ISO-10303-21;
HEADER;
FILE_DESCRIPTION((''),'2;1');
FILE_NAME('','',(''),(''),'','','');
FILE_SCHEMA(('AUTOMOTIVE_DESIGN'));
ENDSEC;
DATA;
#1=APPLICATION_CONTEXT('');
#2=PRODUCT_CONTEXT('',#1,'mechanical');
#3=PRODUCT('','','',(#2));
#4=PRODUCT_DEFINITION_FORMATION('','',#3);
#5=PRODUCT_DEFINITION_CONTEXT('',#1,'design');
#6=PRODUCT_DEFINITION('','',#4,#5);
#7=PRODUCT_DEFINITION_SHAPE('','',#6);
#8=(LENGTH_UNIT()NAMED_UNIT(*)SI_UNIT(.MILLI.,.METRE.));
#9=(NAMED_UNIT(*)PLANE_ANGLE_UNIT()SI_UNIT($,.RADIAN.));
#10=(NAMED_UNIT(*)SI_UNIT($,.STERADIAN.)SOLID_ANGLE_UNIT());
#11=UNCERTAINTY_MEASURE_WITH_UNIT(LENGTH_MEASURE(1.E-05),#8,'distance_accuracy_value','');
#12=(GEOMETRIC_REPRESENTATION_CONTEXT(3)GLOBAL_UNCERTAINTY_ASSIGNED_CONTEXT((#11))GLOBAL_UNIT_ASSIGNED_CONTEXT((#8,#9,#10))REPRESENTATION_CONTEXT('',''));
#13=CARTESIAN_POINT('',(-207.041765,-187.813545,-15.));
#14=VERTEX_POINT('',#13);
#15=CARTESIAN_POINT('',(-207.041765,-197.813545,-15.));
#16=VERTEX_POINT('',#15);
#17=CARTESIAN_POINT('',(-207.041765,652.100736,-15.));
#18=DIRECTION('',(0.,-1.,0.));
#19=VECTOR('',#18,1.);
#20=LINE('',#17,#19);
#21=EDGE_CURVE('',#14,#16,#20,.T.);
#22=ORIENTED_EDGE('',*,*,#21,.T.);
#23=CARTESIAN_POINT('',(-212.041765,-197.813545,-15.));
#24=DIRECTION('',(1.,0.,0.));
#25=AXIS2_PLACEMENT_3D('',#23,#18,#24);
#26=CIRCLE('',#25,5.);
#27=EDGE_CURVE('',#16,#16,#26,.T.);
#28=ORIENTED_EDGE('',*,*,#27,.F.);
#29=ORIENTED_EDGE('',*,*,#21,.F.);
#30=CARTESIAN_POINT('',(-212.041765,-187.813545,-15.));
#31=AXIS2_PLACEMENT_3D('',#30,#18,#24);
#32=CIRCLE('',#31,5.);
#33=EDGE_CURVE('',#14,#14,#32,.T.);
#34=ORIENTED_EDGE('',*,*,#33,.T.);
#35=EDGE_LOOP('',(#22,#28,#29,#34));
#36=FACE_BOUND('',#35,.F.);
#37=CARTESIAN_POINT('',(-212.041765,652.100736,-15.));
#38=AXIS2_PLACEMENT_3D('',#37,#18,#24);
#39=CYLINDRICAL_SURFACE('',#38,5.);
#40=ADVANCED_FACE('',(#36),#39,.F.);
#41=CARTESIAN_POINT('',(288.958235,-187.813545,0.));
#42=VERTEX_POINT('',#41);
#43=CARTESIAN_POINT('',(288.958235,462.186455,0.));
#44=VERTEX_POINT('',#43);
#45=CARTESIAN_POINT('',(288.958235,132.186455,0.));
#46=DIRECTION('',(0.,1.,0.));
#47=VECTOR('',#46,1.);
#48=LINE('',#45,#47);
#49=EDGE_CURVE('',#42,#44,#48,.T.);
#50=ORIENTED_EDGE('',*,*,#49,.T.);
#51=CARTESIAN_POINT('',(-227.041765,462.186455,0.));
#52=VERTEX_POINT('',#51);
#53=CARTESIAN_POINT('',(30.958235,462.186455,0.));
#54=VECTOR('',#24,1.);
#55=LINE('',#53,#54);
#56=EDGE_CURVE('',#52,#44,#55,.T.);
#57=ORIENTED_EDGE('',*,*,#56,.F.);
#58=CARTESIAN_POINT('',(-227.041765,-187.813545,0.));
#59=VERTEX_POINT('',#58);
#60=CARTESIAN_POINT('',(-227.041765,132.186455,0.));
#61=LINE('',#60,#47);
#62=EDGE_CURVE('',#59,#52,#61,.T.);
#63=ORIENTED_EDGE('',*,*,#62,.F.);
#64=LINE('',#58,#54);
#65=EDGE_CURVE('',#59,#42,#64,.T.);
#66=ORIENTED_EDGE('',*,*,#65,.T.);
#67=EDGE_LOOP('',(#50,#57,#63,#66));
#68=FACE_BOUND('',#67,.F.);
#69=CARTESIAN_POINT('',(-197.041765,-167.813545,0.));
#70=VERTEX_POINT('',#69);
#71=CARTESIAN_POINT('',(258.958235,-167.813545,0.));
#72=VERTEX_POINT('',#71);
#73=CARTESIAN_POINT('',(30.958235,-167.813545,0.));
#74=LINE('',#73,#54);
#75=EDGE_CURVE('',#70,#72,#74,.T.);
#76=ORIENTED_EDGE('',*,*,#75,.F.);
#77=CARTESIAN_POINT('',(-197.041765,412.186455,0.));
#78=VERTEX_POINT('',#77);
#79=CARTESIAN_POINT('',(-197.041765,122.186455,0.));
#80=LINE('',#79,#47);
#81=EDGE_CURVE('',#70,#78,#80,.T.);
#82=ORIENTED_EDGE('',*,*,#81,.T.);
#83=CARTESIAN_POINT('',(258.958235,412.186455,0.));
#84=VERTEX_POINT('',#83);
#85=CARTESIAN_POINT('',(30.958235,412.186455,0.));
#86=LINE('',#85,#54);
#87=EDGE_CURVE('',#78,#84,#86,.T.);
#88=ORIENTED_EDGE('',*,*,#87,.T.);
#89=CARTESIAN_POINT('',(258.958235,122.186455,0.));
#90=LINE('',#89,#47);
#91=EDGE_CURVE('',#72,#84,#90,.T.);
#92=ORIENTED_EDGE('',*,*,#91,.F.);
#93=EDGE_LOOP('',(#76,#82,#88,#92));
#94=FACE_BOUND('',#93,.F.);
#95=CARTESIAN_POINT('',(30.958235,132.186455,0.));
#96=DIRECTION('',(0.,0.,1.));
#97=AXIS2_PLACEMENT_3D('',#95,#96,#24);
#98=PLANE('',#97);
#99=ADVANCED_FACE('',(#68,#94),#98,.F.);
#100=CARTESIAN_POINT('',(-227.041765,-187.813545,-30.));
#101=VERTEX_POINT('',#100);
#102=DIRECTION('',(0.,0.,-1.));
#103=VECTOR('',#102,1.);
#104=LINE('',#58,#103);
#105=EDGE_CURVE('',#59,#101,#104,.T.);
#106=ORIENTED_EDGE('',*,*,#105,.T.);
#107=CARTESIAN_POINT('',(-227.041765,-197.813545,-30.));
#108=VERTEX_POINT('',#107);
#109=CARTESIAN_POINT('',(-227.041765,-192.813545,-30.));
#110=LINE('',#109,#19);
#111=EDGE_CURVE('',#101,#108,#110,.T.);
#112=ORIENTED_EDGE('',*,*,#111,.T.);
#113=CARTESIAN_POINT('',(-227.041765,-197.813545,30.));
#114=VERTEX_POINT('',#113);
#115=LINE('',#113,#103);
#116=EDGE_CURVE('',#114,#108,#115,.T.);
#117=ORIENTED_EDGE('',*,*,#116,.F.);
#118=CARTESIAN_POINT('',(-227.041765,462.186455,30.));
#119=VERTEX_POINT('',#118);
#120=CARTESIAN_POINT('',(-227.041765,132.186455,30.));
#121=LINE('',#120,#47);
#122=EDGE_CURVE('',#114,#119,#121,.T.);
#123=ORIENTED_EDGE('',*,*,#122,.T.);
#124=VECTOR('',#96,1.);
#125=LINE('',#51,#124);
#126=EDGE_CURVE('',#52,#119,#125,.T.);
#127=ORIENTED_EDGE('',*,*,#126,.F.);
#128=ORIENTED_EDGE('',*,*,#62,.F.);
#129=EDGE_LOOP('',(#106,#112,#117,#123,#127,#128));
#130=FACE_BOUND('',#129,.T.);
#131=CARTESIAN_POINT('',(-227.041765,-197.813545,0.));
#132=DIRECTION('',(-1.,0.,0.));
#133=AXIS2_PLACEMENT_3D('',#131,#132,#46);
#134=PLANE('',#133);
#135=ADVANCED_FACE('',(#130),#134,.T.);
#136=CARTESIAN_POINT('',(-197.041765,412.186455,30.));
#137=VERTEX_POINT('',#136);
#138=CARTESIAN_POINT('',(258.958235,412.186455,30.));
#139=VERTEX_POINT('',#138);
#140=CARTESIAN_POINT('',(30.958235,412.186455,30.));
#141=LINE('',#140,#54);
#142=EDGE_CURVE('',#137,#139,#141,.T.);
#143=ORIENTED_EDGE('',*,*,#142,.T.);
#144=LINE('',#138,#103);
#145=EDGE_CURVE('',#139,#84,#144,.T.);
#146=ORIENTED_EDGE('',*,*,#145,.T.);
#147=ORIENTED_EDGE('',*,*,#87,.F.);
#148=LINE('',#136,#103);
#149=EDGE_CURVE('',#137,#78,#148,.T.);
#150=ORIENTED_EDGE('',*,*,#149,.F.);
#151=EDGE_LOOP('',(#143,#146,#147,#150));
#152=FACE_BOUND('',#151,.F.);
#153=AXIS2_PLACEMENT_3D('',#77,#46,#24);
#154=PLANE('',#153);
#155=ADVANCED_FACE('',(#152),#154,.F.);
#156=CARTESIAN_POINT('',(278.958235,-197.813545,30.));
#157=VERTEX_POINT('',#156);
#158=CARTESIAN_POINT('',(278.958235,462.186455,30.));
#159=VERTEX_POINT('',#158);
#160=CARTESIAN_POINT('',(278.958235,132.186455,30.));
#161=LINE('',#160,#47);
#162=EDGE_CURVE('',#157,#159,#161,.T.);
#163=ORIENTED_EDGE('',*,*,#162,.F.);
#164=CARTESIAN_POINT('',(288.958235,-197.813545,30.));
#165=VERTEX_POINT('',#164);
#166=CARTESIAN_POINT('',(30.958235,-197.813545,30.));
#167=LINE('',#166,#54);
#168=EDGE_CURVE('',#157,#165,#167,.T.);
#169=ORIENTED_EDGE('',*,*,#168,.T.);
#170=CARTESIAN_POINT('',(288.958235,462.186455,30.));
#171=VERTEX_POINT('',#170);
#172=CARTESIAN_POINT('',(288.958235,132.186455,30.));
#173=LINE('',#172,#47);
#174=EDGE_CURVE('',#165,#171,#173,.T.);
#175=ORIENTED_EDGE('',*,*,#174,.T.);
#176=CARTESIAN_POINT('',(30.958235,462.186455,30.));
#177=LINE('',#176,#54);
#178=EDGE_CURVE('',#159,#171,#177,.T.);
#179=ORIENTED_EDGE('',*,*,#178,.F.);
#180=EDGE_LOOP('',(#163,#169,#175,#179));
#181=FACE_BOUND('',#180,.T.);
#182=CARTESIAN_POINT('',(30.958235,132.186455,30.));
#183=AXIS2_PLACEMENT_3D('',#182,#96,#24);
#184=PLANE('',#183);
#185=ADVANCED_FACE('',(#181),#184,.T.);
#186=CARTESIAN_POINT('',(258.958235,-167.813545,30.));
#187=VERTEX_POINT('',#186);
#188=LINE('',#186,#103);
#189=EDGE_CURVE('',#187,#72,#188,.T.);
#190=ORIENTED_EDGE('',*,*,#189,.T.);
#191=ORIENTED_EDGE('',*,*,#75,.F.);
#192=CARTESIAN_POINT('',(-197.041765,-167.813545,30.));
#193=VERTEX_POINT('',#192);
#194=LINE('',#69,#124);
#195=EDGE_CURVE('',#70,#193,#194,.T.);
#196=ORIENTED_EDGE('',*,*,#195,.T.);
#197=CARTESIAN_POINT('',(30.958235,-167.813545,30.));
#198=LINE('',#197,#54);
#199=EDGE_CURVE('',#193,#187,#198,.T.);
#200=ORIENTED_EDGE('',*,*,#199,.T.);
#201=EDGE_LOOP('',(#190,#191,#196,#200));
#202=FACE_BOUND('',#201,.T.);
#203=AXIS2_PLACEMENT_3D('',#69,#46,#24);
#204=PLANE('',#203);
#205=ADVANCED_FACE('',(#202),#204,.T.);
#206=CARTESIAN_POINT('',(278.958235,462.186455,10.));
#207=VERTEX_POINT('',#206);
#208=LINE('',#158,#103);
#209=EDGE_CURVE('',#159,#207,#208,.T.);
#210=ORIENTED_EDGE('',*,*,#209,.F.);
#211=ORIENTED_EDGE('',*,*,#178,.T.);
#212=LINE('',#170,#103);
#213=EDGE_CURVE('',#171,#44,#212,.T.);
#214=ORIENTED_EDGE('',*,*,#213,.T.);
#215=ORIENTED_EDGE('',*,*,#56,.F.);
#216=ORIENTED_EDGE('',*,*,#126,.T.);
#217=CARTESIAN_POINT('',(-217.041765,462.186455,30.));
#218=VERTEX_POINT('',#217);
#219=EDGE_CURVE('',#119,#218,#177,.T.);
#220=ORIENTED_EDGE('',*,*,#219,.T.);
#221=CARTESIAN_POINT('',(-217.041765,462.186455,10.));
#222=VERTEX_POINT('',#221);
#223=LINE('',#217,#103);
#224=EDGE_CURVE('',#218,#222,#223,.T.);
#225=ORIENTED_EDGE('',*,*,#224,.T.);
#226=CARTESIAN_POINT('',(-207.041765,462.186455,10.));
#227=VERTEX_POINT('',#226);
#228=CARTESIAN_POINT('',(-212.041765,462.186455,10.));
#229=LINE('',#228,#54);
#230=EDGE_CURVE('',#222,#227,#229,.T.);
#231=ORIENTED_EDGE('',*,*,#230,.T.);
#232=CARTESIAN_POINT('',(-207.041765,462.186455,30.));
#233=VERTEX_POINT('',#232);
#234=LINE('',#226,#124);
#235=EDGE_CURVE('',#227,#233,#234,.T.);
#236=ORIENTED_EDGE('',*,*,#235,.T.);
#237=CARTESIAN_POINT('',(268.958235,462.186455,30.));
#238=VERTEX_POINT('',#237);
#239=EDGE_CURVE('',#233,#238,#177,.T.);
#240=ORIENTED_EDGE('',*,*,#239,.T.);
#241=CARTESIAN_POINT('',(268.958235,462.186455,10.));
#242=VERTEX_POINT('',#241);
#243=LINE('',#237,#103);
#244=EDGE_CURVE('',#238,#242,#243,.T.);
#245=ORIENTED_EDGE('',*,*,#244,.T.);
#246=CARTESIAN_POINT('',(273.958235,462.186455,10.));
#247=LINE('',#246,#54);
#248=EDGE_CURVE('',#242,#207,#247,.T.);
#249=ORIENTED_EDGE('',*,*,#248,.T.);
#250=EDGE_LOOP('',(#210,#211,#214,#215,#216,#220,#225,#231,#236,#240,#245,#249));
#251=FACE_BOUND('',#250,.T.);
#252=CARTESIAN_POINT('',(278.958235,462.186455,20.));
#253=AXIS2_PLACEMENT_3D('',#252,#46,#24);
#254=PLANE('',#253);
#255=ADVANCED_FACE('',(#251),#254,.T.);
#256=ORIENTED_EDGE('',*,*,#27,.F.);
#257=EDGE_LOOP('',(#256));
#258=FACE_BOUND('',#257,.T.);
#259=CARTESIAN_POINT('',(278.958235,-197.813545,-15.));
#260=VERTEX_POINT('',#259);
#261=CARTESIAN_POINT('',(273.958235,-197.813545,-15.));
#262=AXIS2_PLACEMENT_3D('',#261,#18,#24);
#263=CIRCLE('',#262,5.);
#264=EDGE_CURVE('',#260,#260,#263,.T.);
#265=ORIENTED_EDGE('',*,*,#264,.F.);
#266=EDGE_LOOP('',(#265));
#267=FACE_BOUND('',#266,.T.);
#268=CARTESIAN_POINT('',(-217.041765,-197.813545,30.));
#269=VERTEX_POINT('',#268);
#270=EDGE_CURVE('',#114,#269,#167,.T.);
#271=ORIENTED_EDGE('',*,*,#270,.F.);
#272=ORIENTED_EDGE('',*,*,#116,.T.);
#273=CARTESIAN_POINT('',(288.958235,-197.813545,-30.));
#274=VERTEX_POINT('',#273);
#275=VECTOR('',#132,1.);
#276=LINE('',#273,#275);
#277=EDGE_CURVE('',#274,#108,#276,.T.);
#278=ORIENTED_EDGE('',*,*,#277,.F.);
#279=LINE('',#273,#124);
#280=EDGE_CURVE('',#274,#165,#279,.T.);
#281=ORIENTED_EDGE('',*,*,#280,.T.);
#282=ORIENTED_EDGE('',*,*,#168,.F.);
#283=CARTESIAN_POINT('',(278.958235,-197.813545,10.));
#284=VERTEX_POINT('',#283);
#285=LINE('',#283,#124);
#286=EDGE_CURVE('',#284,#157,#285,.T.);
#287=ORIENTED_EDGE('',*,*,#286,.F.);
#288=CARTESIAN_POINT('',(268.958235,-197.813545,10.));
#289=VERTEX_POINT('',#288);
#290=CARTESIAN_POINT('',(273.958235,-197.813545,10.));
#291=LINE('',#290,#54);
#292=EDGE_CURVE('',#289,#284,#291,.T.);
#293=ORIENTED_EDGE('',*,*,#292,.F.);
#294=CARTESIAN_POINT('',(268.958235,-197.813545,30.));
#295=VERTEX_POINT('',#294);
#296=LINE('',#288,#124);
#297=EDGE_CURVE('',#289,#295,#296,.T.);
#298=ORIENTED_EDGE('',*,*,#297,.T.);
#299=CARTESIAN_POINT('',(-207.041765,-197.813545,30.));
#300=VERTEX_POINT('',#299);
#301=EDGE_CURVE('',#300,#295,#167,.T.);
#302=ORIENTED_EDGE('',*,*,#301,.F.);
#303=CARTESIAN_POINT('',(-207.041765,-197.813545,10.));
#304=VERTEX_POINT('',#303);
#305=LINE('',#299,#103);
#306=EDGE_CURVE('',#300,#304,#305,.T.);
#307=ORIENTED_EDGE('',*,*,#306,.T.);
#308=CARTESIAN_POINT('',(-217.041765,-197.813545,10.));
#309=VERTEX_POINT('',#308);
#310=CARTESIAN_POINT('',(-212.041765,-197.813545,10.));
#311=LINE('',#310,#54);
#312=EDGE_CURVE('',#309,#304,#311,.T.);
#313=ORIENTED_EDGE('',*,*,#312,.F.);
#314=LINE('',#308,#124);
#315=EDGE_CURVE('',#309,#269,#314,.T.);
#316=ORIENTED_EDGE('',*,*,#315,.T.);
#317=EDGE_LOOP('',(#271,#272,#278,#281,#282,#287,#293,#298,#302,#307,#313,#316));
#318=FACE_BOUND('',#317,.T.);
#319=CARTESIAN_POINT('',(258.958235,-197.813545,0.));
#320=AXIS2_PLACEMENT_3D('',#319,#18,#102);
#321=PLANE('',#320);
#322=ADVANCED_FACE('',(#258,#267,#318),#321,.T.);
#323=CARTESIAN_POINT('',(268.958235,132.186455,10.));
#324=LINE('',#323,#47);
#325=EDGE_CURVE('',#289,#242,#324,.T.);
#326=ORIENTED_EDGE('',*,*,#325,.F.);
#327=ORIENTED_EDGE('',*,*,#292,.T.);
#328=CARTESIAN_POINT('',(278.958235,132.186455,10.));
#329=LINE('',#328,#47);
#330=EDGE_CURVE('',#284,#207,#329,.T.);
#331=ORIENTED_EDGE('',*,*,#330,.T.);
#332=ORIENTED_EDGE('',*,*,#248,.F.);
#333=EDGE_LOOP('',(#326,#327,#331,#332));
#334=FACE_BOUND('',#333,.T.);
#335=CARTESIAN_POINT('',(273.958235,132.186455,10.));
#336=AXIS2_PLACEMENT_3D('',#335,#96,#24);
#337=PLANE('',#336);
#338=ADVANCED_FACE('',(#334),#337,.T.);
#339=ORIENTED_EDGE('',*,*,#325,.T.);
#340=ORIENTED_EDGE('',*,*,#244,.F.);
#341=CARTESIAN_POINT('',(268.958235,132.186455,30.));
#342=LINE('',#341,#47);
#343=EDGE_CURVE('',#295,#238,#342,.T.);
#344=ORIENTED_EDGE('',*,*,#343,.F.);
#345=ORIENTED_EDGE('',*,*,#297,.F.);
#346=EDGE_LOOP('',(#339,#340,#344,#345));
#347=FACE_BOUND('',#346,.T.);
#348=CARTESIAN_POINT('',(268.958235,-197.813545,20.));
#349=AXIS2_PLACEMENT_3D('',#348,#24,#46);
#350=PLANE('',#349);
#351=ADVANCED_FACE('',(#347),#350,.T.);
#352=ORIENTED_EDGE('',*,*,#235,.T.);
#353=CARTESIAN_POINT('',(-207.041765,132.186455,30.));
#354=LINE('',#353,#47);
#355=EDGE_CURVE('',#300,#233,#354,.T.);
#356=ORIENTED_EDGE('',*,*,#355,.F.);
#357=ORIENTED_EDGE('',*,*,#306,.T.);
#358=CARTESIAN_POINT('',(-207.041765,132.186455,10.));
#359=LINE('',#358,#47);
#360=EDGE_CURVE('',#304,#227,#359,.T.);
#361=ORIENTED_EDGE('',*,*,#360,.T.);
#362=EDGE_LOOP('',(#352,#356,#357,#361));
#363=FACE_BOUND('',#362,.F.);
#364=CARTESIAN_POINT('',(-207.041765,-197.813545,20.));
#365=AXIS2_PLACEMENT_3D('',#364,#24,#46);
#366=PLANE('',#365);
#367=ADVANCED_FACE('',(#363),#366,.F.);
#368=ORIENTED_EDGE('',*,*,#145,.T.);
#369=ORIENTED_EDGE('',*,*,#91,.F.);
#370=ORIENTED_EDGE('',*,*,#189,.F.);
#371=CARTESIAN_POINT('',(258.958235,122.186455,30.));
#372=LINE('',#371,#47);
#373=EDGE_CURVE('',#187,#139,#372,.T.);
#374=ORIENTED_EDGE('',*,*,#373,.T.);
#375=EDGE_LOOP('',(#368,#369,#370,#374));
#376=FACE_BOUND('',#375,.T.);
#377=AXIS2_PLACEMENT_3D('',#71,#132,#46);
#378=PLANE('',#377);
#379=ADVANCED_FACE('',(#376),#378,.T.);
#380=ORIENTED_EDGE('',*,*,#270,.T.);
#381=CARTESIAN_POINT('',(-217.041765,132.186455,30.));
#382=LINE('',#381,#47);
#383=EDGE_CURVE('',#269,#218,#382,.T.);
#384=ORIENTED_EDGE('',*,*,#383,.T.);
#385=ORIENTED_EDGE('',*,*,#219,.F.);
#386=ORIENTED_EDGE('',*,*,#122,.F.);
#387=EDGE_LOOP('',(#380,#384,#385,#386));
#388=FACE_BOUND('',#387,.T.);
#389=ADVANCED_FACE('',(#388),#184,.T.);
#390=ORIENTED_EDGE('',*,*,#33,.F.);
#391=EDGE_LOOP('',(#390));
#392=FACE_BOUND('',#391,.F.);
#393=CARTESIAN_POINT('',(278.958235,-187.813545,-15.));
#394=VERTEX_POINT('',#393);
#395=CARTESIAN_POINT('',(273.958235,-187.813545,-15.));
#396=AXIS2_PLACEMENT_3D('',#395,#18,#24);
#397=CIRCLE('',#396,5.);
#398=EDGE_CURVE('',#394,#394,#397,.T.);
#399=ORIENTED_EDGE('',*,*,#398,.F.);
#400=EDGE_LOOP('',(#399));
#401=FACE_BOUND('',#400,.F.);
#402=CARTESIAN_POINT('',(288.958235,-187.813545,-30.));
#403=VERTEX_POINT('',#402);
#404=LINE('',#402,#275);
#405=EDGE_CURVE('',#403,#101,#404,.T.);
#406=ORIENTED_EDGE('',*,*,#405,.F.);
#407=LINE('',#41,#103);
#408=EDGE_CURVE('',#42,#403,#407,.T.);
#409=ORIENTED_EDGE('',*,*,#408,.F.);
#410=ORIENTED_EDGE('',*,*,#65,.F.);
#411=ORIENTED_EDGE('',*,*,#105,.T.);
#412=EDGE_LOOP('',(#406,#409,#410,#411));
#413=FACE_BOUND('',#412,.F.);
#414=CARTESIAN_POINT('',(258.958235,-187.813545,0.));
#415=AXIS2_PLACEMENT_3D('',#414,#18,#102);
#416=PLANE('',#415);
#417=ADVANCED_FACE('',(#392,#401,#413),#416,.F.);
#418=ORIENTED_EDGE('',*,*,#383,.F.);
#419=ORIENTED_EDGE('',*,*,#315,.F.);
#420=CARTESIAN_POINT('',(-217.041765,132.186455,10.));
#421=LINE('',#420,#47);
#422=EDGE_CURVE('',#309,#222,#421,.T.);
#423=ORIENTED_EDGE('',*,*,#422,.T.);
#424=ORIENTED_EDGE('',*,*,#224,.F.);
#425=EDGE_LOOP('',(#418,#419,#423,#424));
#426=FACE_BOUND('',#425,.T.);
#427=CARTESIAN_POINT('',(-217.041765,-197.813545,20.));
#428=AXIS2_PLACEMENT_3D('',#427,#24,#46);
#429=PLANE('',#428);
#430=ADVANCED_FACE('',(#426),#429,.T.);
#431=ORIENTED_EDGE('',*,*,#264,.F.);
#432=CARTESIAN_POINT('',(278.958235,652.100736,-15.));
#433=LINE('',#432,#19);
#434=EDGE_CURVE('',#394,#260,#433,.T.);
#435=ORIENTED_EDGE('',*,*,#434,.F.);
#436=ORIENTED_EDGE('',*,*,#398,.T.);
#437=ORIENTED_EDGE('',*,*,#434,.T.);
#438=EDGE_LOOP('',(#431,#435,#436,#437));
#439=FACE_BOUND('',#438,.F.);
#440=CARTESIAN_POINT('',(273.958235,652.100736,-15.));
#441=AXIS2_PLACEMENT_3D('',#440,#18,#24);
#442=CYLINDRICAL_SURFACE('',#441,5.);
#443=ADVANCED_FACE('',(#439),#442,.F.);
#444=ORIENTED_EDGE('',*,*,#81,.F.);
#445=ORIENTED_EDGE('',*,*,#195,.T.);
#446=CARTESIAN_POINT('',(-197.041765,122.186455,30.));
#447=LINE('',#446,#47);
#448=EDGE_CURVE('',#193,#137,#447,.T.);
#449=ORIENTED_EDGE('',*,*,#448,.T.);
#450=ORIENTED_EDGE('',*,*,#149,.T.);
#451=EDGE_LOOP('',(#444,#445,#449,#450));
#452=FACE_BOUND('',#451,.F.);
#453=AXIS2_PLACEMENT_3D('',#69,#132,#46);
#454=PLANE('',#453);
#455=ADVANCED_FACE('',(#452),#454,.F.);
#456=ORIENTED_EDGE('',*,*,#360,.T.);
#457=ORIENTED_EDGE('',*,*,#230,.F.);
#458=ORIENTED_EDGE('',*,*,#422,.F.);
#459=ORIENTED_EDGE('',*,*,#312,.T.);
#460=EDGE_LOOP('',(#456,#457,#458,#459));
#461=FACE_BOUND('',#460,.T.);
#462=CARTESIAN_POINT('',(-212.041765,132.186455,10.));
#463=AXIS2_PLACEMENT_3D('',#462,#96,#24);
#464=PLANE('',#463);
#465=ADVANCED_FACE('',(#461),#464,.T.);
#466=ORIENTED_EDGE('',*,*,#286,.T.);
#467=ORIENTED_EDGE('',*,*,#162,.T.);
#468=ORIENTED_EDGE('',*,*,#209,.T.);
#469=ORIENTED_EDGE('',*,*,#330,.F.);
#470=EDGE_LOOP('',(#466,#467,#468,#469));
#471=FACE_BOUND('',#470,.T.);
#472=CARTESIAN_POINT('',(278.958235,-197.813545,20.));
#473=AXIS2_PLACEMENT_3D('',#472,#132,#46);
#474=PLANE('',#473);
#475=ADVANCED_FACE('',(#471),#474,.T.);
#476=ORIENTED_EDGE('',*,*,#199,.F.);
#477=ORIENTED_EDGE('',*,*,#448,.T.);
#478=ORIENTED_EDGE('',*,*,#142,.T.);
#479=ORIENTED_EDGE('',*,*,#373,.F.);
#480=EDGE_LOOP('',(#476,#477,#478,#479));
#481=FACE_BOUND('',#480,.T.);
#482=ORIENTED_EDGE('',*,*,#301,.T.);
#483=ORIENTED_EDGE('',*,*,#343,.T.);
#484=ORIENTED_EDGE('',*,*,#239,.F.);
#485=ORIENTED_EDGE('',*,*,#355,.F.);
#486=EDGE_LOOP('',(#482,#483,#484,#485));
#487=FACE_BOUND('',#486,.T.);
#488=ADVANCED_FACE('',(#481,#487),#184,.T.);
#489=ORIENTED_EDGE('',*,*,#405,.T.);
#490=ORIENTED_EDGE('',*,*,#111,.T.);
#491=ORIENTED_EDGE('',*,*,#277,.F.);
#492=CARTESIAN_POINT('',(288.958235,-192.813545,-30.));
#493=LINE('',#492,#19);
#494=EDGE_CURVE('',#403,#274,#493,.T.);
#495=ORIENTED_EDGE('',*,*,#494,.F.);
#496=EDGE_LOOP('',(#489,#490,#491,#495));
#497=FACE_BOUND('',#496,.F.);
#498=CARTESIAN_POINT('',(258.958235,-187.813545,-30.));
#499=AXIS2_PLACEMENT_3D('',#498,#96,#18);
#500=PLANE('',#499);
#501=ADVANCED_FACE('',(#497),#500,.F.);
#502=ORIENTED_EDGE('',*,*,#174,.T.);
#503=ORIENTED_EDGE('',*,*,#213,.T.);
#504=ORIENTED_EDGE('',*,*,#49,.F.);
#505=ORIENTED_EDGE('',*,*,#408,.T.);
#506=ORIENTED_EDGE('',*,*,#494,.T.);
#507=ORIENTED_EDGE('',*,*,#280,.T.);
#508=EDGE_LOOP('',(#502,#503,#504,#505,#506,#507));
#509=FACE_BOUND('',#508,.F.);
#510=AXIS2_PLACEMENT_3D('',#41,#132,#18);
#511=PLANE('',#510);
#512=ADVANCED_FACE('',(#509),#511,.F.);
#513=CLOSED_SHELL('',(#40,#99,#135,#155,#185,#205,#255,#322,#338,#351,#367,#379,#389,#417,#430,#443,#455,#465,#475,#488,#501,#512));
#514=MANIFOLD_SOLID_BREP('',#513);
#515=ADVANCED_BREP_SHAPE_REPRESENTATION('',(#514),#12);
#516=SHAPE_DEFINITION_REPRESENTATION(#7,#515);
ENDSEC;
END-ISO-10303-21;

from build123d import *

# Parameters (mm, degrees)
F0_W     = 516
F0_H     = 660
F0_W_2   = 456
F0_H_2   = 580
F1_DEPTH = 20
F2_W     = 10
F2_H     = 660
F3_DEPTH = 10
F4_DEPTH = 10
F5_W     = 30
F5_H     = 10
F6_DEPTH = 30
F8_D     = 10
F9_DEPTH = 456


with BuildPart() as f1:
    # F0 (on Top) → F1 (new body)
    with BuildSketch(Plane.XY):
        with Locations((30.9582352638, 132.1864551082)):
            Rectangle(F0_W, F0_H)
        with Locations((30.9582352638, 122.1864551082)):
            Rectangle(F0_W_2, F0_H_2, mode=Mode.SUBTRACT)
    extrude(amount=F1_DEPTH)

    # F2 (on face) → F3 (cut)
    with BuildSketch(Plane.XY.offset(20)):
        with Locations((-212.0417647362, 132.1864551082)):
            Rectangle(F2_W, F2_H)
        with Locations((273.9582352638, 132.1864551082)):
            Rectangle(F2_W, F2_H)
    extrude(amount=-F3_DEPTH, mode=Mode.SUBTRACT)

    # F4 (add): faces of the model
    f4_faces = [f1.faces().sort_by_distance(p)[0] for p in [
        (283.9582352638, 132.1864551082, 20),
        (-222.0417647362, 132.1864551082, 20),
        (30.9582352638, -189.6761251533, 20),
    ]]
    extrude(f4_faces, amount=F4_DEPTH)

    # F5 (on face) → F6 (join)
    with BuildSketch(Plane(origin=(0, 0, 0), x_dir=(1, 0, 0), z_dir=(0, 0, -1))):
        with Locations((273.9582352638, 192.8135448918)):
            Rectangle(F5_W, F5_H)
        with Locations((-212.0417647362, 192.8135448918)):
            Rectangle(F5_W, F5_H)
    extrude(amount=F6_DEPTH)

    # F8 (through all)
    with Locations(Plane(origin=(0, -187.8135448918, 0), x_dir=(-1, 0, 0), z_dir=(0, 1, 0))):
        with Locations((212.0417647362, -15), (-273.9582352638, -15)):
            Hole(F8_D / 2)

    # F9 (add, through all): a face of the model
    f9_faces = [f1.faces().sort_by_distance(p)[0] for p in [
        (258.9582352638, -192.8135448918, -15),
    ]]
    extrude(f9_faces, amount=F9_DEPTH)


solid = f1.part
